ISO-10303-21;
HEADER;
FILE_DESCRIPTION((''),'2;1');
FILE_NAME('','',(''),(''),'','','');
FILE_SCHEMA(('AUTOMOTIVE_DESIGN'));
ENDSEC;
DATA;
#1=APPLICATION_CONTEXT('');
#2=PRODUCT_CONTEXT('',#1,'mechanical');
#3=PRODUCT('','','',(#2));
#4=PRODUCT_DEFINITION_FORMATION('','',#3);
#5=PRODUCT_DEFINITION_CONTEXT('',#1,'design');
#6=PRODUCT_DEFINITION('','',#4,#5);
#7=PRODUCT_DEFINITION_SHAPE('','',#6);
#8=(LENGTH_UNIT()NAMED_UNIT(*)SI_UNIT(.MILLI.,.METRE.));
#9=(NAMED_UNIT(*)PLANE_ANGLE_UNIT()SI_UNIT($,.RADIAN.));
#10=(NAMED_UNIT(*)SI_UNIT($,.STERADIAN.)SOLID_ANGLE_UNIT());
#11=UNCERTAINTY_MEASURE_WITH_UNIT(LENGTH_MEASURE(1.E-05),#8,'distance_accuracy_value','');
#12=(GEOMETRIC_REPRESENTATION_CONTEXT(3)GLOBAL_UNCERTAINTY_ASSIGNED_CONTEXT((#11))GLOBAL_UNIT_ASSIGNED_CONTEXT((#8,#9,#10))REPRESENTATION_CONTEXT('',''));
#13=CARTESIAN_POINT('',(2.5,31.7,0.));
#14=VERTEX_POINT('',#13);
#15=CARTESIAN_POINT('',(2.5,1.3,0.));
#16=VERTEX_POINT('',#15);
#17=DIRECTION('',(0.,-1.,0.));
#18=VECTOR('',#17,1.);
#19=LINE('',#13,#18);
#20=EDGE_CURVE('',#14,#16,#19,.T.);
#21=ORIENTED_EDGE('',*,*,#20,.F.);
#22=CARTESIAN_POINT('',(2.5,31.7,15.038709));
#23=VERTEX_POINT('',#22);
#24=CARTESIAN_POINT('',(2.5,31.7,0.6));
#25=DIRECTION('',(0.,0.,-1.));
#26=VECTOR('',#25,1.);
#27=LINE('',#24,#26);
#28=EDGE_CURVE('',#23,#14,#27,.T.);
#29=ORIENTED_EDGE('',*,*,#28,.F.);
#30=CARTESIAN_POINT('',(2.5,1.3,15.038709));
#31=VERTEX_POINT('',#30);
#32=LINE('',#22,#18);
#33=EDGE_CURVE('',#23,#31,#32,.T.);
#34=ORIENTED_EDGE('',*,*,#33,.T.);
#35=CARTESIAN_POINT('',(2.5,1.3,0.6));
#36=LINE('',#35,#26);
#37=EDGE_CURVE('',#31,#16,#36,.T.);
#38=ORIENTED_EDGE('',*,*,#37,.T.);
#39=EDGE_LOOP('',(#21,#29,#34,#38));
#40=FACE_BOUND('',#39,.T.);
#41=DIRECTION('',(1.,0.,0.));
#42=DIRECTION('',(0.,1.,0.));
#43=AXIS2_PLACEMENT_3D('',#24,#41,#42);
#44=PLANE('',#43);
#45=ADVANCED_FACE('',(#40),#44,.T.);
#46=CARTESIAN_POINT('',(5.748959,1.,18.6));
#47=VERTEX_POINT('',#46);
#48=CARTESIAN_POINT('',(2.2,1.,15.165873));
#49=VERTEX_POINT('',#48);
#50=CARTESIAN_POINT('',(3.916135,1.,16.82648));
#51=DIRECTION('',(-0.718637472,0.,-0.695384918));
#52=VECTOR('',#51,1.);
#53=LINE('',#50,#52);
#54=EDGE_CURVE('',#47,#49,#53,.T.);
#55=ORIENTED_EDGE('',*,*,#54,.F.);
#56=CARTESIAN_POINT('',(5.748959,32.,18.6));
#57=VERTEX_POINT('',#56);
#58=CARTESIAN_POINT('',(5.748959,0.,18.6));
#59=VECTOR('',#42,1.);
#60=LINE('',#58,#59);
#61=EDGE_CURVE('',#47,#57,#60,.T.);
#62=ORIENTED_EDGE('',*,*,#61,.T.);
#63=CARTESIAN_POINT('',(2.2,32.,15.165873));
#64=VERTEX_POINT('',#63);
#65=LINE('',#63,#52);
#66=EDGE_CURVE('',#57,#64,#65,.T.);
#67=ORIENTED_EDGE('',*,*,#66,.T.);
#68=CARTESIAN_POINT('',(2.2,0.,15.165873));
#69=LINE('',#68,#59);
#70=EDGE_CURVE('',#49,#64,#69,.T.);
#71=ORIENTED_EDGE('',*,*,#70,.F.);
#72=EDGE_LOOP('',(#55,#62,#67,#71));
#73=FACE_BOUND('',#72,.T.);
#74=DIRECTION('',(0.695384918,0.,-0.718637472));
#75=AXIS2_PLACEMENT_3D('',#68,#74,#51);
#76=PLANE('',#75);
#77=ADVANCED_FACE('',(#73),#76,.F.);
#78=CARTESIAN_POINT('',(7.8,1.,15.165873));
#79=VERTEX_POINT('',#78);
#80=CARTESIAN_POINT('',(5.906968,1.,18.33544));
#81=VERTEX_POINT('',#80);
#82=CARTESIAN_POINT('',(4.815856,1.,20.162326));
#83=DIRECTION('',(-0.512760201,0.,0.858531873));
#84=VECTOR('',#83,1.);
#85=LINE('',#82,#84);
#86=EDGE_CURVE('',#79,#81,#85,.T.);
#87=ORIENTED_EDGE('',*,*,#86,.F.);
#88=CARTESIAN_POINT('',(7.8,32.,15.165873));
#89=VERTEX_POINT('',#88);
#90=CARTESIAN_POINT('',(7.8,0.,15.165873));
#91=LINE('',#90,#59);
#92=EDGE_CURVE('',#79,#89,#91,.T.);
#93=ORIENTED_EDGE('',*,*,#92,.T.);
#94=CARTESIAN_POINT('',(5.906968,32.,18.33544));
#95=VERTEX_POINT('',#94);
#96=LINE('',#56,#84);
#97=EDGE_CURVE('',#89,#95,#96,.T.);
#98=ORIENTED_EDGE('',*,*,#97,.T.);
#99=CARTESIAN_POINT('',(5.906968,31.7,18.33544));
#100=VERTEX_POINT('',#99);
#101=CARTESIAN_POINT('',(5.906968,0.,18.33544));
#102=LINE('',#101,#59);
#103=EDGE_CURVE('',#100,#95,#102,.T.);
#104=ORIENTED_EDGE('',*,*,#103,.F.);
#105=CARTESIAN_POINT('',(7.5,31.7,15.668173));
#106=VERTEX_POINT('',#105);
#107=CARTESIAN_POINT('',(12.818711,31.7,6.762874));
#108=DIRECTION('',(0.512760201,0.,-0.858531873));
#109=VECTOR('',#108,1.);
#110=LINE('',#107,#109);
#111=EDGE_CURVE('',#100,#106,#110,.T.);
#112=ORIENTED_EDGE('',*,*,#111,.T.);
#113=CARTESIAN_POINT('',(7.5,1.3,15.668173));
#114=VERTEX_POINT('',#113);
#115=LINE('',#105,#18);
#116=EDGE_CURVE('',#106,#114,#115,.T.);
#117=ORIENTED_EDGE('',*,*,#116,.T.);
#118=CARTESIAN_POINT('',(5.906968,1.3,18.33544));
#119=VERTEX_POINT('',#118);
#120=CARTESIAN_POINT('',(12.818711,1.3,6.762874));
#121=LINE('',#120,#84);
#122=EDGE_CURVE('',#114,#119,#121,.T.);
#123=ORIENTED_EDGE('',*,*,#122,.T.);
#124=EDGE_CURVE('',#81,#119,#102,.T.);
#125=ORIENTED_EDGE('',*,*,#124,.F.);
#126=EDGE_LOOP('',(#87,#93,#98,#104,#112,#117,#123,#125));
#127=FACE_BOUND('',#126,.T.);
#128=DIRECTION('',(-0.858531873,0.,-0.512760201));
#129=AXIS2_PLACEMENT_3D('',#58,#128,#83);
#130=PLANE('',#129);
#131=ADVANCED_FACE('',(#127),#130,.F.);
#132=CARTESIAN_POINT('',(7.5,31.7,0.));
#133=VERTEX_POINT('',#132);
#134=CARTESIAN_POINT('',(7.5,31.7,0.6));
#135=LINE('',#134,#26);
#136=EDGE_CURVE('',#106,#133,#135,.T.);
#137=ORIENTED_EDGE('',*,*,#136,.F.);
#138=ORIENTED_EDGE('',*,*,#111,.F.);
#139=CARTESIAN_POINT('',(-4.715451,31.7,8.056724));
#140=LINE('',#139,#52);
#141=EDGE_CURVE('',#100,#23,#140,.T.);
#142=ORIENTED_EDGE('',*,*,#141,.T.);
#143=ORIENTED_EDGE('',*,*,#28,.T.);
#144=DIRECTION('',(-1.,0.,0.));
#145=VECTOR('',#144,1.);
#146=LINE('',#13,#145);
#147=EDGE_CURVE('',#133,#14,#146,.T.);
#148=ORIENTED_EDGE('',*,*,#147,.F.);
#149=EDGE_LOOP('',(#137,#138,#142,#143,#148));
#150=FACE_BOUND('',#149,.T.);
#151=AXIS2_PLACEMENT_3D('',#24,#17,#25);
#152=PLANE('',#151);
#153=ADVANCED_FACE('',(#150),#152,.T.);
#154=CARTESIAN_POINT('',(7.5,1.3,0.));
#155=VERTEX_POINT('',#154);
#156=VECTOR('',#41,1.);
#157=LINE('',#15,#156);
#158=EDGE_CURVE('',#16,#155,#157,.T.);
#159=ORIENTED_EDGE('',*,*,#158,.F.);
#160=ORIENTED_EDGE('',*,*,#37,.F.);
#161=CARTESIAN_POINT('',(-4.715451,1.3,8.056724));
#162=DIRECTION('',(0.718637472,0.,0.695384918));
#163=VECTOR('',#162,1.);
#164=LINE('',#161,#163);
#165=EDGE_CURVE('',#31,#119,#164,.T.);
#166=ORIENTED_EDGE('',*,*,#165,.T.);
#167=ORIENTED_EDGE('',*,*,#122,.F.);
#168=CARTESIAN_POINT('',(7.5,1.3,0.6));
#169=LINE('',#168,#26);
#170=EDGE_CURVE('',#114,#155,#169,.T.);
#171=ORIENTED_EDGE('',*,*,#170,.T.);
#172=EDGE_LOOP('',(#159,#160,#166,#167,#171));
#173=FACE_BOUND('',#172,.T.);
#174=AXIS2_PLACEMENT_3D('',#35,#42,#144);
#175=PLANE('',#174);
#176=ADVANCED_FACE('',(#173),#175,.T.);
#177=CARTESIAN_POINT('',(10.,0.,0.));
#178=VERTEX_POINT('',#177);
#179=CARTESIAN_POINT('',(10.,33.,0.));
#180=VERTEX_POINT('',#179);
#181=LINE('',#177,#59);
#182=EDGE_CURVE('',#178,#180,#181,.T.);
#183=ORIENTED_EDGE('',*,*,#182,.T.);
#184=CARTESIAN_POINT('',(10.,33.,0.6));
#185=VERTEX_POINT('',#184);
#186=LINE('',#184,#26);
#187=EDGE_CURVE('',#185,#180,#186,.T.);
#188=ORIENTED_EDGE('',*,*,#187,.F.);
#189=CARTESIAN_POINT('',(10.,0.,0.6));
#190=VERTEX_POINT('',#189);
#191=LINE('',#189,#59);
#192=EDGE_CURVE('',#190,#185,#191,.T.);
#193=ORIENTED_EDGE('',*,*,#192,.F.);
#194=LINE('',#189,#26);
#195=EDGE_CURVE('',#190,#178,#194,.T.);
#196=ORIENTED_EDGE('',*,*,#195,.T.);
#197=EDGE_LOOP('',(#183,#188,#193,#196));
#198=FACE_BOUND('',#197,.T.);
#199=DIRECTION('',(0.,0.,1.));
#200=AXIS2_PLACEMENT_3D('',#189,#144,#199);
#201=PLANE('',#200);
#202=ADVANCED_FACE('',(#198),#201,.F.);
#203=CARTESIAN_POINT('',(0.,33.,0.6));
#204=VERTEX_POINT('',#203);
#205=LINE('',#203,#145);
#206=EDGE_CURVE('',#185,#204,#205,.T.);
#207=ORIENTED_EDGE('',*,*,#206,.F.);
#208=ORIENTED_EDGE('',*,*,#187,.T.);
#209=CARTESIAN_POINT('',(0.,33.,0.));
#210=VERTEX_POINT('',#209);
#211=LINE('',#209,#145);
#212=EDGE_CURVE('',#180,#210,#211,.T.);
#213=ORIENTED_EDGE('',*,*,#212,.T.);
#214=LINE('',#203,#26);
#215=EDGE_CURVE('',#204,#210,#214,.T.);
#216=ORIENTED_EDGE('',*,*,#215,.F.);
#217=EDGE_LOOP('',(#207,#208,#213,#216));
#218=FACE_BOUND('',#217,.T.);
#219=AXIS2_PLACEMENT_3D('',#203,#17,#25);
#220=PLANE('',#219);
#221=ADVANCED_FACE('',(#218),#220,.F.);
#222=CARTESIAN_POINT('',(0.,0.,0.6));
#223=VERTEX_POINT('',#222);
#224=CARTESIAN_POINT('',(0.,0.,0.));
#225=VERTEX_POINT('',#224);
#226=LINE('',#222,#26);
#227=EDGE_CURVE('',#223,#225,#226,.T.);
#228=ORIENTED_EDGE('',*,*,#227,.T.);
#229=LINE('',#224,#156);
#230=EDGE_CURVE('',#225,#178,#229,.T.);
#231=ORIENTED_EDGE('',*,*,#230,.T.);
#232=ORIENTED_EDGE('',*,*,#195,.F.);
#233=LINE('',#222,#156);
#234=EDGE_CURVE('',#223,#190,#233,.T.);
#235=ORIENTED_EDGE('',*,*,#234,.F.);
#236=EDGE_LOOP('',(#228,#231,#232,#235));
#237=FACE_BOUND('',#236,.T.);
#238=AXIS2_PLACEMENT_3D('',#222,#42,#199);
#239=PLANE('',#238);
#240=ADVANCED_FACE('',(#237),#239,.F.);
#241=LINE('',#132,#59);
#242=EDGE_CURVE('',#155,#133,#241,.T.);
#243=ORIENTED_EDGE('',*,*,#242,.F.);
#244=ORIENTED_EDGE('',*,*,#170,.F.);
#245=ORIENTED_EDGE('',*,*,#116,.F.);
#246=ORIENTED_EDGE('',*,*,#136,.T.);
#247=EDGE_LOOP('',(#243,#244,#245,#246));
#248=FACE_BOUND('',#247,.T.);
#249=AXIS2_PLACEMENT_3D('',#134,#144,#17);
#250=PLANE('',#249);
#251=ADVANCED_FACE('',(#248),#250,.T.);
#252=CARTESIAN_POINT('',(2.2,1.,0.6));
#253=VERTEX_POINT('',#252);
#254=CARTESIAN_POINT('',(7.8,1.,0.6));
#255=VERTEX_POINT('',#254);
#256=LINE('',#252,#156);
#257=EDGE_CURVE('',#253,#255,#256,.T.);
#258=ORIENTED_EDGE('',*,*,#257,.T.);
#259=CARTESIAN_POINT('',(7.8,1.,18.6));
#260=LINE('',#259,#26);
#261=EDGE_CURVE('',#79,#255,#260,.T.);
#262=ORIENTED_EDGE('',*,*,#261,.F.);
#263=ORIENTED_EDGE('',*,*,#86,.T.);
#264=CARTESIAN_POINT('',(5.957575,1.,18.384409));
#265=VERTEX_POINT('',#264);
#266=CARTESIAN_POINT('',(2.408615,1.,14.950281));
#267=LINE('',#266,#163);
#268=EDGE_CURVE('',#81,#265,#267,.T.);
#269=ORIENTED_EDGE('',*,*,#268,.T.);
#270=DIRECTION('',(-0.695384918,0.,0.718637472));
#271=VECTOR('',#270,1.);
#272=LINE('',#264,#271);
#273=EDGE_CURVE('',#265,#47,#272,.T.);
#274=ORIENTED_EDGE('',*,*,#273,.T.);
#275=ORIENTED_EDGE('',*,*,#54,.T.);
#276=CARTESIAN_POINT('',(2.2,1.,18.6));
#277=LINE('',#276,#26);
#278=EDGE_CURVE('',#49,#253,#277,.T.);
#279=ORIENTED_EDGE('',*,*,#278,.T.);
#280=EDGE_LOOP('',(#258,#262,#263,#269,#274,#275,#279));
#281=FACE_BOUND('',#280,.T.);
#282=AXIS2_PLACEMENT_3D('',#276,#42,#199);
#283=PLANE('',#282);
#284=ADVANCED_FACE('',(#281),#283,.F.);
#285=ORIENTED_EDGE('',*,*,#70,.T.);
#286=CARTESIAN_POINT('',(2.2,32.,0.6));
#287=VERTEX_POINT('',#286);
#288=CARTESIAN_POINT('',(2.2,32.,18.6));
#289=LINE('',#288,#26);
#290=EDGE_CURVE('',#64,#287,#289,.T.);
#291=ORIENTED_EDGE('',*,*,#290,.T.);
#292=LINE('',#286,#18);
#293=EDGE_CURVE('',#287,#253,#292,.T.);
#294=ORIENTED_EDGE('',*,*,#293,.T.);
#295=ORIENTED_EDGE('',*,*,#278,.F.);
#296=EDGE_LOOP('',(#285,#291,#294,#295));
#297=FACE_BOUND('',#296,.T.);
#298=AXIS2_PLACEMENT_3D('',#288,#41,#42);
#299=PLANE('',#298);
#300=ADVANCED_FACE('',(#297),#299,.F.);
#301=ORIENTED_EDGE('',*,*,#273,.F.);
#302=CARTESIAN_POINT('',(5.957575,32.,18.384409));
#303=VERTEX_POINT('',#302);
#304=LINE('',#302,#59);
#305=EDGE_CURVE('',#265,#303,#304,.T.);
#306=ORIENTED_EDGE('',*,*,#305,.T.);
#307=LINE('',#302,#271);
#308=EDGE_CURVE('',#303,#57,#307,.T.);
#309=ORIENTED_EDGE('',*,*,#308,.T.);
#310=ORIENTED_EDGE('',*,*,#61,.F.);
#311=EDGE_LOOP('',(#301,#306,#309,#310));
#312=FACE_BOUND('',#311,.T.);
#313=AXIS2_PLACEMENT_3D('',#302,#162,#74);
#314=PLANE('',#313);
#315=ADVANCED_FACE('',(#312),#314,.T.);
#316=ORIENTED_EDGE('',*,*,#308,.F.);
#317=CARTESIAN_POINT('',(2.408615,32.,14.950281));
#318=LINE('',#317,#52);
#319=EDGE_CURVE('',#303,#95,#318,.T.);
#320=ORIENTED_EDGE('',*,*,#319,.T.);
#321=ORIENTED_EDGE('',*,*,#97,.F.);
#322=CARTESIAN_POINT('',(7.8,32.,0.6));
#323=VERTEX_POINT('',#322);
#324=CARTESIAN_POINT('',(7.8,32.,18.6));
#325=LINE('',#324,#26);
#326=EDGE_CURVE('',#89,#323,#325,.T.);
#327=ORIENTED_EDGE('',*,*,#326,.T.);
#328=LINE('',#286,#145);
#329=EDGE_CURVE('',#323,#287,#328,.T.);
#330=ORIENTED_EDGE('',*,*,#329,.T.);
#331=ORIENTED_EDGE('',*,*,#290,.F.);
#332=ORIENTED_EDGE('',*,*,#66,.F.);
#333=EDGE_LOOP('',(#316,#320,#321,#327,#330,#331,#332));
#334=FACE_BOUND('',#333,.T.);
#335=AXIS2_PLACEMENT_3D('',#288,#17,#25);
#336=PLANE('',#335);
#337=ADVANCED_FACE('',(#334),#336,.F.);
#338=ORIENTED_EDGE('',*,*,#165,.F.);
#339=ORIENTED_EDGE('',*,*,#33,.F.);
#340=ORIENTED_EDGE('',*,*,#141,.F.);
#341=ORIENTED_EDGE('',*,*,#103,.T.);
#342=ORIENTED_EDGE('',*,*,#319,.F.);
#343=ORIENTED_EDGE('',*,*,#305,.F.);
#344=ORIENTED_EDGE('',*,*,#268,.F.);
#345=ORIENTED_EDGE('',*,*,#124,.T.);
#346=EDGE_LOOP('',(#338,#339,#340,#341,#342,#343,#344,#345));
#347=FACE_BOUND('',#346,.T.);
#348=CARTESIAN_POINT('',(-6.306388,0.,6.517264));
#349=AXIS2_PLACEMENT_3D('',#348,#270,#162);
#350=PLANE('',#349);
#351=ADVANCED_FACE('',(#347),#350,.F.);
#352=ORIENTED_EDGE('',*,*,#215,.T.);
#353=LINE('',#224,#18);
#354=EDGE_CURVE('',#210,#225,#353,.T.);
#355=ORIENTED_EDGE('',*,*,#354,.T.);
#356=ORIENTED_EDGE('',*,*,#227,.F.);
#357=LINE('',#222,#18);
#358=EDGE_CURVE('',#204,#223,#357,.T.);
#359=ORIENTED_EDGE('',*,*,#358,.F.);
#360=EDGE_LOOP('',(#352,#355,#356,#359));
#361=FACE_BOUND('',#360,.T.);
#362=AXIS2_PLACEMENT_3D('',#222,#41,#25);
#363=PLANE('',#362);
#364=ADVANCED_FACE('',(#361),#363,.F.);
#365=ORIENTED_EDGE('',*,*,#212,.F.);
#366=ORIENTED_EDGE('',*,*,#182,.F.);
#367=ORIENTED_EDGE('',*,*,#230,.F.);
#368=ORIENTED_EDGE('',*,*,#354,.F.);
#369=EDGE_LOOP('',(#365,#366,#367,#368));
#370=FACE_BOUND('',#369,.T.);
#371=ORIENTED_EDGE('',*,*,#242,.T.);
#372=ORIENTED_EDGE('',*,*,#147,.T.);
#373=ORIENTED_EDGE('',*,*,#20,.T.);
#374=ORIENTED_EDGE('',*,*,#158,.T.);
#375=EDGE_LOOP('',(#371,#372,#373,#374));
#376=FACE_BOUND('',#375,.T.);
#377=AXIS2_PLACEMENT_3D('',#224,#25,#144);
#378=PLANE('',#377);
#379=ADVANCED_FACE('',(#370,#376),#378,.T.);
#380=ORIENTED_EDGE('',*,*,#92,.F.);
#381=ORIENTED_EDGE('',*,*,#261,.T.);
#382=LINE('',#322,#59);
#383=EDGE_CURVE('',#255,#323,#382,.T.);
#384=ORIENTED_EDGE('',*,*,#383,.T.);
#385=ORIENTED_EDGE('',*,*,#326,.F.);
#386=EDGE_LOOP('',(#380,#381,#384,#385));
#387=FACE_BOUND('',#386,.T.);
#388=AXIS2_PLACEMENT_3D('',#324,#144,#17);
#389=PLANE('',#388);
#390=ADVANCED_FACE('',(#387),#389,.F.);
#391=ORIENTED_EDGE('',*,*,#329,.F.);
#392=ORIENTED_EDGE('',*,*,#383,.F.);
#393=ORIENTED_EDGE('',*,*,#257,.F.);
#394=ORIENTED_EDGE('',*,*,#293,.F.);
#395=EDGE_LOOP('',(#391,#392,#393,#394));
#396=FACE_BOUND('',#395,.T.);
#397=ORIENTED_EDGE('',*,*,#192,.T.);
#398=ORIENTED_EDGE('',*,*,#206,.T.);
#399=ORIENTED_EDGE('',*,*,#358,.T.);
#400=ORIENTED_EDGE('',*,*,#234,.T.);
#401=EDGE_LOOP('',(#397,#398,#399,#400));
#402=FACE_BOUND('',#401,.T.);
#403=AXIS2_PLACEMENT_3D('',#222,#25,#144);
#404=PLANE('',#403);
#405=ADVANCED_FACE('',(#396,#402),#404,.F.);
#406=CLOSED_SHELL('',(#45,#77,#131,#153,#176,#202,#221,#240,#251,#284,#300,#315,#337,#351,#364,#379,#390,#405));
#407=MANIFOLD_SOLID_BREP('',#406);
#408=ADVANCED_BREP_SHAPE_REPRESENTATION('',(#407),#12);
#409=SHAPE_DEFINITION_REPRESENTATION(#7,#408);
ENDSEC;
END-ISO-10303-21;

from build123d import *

# Parameters (mm, degrees)
SKETCH_1_W          = 10
SKETCH_1_H          = 33
SKETCH_1_W_2        = 5
SKETCH_1_H_2        = 30.4
EXTRUDE_1_DEPTH     = 0.6
SKETCH_2_W          = 5.6
SKETCH_2_H          = 31
SKETCH_2_W_2        = 5
SKETCH_2_H_2        = 30.4
EXTRUDE_2_DEPTH     = 18
CUT_EXTRUDE_1_DEPTH = 39.340057381
SKETCH_6_W          = 4.938455529
SKETCH_6_H          = 31
EXTRUDE_5_DEPTH     = 0.3


with BuildPart() as part:
    # 草图1 → 凸台-拉伸1 (new body)
    with BuildSketch(Plane.XY):
        with Locations((5, 16.5)):
            Rectangle(SKETCH_1_W, SKETCH_1_H)
        with Locations((5, 16.5)):
            Rectangle(SKETCH_1_W_2, SKETCH_1_H_2, mode=Mode.SUBTRACT)
    extrude(amount=EXTRUDE_1_DEPTH)

    # 草图2 → 凸台-拉伸2 (add)
    with BuildSketch(Plane.XY.offset(0.6)):
        with Locations((5, 16.5)):
            Rectangle(SKETCH_2_W, SKETCH_2_H)
        with Locations((5, 16.5)):
            Rectangle(SKETCH_2_W_2, SKETCH_2_H_2, mode=Mode.SUBTRACT)
    extrude(amount=EXTRUDE_2_DEPTH)

    # 草图5 → 切除-拉伸1 (cut, through all)
    with BuildSketch(Plane(origin=(0, 32, 0), x_dir=(1, 0, 0), z_dir=(0, 1, 0))):
        Polygon((2.2, -15.165872509), (5.748959197, -18.6), (7.8, -15.165872509), (7.8, -19.376577353), (2.2, -19.376577353), align=None)
    extrude(amount=-CUT_EXTRUDE_1_DEPTH, mode=Mode.SUBTRACT)

    # 草图6 → 凸台-拉伸5 (add)
    with BuildSketch(Plane(origin=(-6.515003899, 0, 6.732855162), x_dir=(0.7186374720968006, 0, 0.6953849176523174), z_dir=(-0.6953849176523174, 0, 0.7186374720968006))):
        with Locations((14.596349209, 16.5)):
            Rectangle(SKETCH_6_W, SKETCH_6_H)
    extrude(amount=-EXTRUDE_5_DEPTH)


solid = part.part
